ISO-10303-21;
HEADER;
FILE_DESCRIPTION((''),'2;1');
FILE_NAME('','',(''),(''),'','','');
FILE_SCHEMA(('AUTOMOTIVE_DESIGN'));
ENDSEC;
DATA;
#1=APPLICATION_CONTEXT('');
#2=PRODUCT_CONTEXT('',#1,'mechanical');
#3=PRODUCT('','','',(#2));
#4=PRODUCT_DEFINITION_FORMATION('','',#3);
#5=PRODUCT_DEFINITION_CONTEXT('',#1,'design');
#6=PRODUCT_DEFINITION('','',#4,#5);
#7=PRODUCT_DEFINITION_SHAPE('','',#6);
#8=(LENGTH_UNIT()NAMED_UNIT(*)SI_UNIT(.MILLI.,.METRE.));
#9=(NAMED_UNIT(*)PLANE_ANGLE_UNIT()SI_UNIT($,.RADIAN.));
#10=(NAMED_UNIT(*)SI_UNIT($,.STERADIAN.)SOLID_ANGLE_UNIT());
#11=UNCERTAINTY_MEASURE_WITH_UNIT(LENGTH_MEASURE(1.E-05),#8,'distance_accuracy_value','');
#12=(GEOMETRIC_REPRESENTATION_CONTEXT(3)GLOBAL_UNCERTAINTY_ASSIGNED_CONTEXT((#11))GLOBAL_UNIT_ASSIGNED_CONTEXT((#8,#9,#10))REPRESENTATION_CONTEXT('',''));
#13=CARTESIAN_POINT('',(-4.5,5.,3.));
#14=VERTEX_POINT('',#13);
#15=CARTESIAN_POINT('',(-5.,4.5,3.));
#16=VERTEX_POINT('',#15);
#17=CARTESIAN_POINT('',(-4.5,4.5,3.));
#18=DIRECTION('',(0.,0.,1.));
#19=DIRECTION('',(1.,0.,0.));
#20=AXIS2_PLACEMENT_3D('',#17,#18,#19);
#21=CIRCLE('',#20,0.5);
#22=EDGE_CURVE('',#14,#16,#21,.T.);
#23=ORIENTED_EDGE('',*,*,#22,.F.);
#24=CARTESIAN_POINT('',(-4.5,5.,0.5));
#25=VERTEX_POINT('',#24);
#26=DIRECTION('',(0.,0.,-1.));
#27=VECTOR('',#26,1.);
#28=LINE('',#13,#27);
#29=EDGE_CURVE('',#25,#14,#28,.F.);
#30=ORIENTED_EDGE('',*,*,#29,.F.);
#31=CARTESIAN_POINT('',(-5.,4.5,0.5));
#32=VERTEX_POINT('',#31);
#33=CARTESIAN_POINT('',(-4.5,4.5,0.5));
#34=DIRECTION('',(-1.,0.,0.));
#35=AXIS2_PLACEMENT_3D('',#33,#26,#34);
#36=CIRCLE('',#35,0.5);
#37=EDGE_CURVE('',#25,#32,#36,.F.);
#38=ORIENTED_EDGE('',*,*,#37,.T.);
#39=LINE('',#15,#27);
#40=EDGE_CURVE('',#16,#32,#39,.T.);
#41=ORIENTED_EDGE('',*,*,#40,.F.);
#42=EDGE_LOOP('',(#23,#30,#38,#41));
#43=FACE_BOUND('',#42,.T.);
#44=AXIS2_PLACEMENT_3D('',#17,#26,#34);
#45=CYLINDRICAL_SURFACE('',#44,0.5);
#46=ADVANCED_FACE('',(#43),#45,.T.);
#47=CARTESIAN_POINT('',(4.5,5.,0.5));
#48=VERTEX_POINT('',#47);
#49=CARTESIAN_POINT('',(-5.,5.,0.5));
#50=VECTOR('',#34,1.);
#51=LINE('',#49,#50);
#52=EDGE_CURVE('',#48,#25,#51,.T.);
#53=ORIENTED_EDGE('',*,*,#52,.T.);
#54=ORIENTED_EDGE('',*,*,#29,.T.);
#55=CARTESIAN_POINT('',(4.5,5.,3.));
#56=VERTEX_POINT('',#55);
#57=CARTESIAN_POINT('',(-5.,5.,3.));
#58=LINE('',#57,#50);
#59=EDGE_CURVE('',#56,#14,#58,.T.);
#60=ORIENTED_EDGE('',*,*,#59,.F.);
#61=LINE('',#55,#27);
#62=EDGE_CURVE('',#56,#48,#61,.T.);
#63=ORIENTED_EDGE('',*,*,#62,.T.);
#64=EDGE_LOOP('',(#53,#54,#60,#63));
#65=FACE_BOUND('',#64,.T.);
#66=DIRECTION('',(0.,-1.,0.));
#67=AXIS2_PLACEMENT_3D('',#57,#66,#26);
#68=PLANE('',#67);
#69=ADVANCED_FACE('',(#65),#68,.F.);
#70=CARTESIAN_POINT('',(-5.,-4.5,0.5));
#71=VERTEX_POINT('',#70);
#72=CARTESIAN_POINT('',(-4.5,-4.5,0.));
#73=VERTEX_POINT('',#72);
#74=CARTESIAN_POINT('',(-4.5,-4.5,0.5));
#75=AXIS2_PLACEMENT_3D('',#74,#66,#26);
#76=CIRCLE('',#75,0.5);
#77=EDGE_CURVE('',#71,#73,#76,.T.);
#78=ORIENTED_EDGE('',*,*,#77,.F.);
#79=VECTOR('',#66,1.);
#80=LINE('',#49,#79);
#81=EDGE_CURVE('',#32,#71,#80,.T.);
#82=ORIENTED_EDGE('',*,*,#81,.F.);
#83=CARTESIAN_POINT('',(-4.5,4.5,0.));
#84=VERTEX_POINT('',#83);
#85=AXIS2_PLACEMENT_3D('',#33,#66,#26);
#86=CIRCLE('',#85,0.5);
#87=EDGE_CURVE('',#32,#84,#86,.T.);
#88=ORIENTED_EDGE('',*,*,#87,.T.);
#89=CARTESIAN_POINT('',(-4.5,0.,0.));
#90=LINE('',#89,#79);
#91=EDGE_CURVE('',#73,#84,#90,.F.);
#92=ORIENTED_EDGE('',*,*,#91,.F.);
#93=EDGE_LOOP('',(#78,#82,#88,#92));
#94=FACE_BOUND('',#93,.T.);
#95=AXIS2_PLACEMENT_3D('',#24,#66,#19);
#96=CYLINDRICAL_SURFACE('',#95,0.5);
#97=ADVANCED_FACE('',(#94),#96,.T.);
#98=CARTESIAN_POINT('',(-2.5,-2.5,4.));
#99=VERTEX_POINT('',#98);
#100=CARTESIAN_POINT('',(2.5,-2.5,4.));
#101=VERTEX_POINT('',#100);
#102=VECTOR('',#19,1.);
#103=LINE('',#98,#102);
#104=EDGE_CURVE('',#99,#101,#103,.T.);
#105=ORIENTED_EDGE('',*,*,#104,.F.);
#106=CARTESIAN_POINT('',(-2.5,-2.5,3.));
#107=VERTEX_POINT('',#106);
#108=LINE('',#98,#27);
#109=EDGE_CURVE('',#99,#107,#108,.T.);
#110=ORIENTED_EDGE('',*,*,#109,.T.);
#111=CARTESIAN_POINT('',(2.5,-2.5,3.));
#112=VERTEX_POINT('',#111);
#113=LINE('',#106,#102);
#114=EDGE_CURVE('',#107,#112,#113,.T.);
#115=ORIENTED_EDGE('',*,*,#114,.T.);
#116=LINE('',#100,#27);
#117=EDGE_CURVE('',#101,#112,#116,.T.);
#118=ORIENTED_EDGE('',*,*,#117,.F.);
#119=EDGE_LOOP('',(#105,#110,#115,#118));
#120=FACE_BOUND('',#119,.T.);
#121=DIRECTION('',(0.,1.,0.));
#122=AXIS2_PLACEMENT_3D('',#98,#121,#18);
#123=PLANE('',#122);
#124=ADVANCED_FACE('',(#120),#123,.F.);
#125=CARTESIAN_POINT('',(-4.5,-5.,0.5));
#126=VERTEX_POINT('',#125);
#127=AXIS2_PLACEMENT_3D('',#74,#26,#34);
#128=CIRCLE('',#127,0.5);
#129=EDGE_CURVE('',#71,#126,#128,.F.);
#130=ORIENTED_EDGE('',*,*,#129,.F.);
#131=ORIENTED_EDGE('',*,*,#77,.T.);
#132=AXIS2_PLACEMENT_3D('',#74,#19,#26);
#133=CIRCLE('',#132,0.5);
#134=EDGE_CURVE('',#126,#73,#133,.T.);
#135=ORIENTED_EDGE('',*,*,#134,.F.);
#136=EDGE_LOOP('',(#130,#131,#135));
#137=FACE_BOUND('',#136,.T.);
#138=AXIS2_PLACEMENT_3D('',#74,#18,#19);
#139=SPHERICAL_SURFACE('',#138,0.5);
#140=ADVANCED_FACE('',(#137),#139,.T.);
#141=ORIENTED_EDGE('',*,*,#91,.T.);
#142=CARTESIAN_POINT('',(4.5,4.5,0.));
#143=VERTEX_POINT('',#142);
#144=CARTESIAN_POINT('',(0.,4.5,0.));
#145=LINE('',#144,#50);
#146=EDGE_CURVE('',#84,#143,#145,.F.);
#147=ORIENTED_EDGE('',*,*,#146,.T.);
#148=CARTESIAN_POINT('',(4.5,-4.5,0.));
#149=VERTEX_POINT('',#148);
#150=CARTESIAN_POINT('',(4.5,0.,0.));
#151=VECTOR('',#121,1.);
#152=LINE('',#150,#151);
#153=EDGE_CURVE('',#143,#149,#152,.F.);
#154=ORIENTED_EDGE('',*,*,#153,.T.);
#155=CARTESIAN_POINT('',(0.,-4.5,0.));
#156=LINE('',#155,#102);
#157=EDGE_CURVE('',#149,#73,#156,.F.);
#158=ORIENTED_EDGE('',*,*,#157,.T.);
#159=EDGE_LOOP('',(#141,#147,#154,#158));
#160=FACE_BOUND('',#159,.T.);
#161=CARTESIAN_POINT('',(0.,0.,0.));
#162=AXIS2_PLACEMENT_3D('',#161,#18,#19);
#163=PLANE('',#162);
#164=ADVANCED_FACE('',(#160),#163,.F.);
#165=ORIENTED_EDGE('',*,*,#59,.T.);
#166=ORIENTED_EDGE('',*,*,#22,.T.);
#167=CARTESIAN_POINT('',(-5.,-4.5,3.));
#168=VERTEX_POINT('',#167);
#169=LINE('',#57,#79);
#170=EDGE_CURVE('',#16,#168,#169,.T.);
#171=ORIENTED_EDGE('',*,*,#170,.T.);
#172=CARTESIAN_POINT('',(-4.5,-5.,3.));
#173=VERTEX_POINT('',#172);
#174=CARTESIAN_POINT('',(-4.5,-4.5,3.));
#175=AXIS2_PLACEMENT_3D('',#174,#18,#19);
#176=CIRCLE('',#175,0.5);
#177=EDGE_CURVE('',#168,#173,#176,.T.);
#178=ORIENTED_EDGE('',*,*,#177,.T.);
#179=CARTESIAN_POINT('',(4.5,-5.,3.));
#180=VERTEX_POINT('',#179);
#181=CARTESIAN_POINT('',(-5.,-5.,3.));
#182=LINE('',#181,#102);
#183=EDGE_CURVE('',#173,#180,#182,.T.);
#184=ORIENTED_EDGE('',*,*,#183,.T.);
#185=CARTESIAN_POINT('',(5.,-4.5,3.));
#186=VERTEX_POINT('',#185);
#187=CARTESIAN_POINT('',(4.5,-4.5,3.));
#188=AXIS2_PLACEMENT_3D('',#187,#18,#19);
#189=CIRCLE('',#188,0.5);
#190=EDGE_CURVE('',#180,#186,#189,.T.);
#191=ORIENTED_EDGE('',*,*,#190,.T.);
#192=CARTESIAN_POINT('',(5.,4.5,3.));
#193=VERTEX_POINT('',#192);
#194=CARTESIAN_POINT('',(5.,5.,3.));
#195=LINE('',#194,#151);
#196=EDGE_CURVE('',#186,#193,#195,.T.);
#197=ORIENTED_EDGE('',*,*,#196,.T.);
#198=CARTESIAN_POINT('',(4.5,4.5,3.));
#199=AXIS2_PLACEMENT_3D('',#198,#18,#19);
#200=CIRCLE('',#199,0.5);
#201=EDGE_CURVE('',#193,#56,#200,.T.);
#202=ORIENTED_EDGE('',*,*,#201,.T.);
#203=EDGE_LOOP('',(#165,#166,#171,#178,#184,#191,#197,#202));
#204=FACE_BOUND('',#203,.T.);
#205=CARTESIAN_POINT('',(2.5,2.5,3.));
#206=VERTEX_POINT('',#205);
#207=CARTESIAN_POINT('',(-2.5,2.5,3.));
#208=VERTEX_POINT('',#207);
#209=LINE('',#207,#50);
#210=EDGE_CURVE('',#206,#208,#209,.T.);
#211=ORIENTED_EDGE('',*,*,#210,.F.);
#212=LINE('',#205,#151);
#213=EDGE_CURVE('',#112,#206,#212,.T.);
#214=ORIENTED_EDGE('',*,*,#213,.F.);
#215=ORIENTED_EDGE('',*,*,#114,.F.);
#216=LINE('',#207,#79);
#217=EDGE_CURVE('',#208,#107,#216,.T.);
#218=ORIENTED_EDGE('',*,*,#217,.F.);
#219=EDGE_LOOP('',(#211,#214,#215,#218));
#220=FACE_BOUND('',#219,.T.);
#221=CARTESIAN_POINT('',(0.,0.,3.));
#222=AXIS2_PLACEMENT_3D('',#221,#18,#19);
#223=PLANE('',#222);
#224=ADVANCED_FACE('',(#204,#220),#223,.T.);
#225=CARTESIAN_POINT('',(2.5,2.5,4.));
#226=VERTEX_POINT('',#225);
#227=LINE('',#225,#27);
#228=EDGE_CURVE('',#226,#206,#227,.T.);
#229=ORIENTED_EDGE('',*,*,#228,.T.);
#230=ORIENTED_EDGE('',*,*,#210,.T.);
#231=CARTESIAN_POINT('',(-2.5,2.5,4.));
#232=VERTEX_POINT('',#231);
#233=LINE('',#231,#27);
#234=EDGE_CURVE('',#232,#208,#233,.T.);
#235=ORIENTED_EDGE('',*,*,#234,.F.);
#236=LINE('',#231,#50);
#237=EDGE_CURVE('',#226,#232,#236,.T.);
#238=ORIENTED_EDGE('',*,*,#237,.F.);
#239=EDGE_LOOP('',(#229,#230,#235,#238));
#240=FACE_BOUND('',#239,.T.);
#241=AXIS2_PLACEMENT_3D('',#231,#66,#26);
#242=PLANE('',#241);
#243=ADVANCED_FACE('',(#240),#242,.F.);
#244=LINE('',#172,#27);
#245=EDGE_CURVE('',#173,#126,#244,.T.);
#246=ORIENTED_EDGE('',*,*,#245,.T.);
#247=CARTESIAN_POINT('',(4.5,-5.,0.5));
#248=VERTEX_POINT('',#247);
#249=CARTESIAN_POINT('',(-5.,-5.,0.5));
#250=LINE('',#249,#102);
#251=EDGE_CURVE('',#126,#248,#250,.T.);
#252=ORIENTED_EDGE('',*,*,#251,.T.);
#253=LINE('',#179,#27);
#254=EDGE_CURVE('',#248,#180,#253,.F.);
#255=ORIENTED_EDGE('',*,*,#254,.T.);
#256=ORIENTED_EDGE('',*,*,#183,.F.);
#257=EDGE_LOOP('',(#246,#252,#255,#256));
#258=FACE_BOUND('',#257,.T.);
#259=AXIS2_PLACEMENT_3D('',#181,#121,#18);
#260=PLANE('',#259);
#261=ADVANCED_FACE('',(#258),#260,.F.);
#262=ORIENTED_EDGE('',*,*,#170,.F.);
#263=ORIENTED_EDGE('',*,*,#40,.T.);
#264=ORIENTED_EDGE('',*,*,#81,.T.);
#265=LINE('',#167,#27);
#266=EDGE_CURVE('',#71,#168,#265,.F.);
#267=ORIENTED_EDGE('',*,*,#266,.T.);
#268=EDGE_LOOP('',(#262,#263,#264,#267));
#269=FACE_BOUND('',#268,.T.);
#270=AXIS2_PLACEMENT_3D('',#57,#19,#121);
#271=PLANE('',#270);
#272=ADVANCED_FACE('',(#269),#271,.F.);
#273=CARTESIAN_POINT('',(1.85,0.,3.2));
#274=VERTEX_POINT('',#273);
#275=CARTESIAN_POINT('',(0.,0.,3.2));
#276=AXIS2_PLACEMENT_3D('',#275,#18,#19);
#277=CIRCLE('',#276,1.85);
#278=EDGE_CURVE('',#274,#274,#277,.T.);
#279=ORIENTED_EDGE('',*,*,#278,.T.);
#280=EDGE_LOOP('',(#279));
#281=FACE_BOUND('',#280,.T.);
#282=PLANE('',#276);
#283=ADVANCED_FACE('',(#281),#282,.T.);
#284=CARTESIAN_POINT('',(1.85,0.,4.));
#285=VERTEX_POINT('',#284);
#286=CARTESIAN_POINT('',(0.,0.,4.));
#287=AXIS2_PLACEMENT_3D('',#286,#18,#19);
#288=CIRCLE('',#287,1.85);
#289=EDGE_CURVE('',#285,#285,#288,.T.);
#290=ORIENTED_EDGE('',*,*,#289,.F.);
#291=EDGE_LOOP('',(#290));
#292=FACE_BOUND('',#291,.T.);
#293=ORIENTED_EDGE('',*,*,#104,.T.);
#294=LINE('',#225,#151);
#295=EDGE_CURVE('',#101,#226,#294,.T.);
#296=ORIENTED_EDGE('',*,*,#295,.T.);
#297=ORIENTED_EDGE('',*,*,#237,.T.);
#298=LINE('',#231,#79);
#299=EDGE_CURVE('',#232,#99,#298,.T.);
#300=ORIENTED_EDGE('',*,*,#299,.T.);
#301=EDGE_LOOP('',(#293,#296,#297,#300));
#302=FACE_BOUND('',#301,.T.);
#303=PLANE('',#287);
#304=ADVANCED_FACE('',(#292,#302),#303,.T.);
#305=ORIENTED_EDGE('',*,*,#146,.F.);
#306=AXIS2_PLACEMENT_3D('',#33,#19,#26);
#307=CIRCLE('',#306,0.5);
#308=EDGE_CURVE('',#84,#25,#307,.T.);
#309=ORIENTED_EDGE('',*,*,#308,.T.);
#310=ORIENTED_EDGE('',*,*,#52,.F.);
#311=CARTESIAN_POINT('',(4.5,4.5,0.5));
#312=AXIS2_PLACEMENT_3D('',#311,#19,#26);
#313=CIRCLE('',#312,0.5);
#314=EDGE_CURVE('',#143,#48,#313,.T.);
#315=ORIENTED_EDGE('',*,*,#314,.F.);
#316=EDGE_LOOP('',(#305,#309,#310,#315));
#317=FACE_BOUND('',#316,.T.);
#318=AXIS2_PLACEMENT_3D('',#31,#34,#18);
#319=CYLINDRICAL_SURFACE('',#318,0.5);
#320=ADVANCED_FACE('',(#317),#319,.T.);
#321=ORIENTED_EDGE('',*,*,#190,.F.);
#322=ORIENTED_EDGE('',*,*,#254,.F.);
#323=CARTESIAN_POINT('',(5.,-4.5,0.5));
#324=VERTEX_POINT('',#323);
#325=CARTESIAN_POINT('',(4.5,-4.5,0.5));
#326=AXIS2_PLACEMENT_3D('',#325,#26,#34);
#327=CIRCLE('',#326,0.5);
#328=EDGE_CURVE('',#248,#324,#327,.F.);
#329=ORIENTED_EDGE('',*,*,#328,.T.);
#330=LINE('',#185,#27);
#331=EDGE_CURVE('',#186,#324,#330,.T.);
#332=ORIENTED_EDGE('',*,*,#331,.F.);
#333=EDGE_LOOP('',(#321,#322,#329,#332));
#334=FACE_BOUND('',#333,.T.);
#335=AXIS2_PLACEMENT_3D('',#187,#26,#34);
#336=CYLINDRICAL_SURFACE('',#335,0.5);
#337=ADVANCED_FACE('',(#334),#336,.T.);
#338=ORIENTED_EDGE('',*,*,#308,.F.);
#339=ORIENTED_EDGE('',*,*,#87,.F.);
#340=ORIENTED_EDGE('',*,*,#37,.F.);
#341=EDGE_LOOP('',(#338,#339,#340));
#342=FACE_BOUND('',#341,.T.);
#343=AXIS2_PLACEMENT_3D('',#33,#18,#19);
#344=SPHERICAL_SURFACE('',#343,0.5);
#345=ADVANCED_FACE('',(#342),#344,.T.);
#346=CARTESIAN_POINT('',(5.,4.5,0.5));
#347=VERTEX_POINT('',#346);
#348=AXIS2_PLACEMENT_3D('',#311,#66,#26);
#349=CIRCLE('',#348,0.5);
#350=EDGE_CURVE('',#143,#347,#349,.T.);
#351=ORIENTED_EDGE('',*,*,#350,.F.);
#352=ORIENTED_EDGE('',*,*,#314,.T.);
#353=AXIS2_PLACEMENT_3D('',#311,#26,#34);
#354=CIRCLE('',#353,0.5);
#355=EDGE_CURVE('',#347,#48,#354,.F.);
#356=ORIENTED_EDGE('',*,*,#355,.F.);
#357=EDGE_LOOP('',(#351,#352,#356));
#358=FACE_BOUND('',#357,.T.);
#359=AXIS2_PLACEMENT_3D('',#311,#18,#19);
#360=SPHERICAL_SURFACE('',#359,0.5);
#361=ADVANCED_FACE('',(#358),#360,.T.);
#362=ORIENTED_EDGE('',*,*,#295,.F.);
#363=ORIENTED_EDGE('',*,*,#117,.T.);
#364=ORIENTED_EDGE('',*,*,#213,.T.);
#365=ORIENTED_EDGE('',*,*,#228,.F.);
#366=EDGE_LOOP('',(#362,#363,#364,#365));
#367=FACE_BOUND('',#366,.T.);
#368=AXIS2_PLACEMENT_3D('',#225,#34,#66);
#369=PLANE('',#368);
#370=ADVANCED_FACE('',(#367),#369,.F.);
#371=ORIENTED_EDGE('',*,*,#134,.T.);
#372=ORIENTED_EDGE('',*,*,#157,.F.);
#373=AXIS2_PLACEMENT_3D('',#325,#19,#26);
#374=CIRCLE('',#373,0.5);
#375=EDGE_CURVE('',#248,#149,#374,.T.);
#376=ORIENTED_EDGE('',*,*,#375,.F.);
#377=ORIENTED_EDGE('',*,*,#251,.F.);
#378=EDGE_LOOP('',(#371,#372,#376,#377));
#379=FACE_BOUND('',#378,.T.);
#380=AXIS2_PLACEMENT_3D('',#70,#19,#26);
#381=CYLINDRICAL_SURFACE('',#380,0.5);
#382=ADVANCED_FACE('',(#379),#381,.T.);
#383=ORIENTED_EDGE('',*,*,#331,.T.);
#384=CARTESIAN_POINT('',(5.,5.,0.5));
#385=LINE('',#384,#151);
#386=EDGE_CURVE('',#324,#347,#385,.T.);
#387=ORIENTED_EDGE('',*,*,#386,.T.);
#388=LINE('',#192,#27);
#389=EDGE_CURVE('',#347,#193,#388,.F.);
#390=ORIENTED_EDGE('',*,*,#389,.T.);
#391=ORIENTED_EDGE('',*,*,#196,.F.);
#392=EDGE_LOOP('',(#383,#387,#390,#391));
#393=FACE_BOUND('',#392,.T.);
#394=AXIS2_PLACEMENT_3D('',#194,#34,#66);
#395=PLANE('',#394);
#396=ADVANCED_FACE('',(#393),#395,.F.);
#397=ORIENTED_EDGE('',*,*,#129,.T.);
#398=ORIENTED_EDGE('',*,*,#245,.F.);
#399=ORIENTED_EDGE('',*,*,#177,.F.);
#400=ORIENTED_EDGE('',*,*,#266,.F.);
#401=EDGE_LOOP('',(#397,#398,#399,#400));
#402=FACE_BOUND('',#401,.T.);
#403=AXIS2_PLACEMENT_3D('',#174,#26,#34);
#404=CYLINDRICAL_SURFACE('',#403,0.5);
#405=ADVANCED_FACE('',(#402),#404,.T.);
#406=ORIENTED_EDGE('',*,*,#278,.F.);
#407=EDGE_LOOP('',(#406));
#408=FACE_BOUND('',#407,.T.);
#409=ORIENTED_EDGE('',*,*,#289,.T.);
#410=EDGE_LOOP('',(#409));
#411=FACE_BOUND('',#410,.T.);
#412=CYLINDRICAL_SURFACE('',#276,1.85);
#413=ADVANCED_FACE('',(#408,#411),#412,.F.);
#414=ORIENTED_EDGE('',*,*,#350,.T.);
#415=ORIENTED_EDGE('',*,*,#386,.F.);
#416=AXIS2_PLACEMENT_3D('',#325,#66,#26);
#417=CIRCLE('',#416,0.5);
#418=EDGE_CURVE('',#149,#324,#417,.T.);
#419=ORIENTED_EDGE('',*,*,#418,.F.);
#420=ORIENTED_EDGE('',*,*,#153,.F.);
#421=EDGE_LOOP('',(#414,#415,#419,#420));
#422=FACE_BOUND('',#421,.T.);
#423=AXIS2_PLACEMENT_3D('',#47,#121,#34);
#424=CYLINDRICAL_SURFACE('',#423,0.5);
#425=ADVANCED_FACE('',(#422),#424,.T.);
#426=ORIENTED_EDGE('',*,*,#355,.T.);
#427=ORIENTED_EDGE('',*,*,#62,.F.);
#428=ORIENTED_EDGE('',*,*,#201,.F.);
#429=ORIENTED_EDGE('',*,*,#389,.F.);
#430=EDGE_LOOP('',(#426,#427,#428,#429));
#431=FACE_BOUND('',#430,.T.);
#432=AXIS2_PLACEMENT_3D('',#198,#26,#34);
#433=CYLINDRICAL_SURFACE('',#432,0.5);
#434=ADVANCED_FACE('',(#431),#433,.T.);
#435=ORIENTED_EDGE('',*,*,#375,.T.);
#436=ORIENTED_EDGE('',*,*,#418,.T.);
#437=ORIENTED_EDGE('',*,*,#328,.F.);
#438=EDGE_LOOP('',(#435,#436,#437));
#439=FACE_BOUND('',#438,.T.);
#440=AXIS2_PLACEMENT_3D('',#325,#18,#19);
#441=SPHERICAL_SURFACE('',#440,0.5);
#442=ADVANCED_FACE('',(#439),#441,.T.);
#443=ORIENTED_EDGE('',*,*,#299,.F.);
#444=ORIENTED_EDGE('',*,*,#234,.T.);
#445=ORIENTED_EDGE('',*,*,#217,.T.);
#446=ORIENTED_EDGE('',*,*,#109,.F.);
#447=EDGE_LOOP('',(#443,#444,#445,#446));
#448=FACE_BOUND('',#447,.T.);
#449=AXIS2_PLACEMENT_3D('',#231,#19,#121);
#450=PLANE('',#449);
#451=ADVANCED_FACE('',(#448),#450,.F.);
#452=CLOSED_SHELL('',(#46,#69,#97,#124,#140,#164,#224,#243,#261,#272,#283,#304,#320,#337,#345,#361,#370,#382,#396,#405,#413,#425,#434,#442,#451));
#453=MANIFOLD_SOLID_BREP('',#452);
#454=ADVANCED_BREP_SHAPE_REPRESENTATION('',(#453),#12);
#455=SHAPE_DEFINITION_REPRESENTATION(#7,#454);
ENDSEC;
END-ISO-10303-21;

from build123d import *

# Parameters (mm, degrees)
SKETCH1_W           = 10
SKETCH1_H           = 10
BOSS_EXTRUDE1_DEPTH = 3
SKETCH2_W           = 5
SKETCH2_H           = 5
BOSS_EXTRUDE2_DEPTH = 1
SKETCH3_R           = 1.85
CUT_EXTRUDE1_DEPTH  = 0.8
FILLET1_R           = 0.5
FILLET2_R           = 0.5


with BuildPart() as part:
    # Sketch1 → Boss-Extrude1 (new body)
    with BuildSketch(Plane.XY):
        Rectangle(SKETCH1_W, SKETCH1_H)
    extrude(amount=BOSS_EXTRUDE1_DEPTH)

    # Sketch2 → Boss-Extrude2 (add)
    with BuildSketch(Plane.XY.offset(3)):
        Rectangle(SKETCH2_W, SKETCH2_H)
    extrude(amount=BOSS_EXTRUDE2_DEPTH)

    # Sketch3 → Cut-Extrude1 (cut)
    with BuildSketch(Plane.XY.offset(4)):
        Circle(SKETCH3_R)
    extrude(amount=-CUT_EXTRUDE1_DEPTH, mode=Mode.SUBTRACT)

    # Fillet1
    fillet1_edges = [part.edges().sort_by_distance(p)[0] for p in [
        (5, -5, 1.5),
        (-5, -5, 1.5),
        (-5, 5, 1.5),
        (5, 5, 1.5),
    ]]
    fillet(fillet1_edges, radius=FILLET1_R)

    # Fillet2
    fillet2_edges = [part.edges().sort_by_distance(p)[0] for p in [
        (0, -5, 0),
        (5, 0, 0),
        (-5, 0, 0),
        (0, 5, 0),
        (4.853553391, -4.853553391, 0),
        (4.853553391, 4.853553391, 0),
        (-4.853553391, 4.853553391, 0),
        (-4.853553391, -4.853553391, 0),
    ]]
    fillet(fillet2_edges, radius=FILLET2_R)


solid = part.part
